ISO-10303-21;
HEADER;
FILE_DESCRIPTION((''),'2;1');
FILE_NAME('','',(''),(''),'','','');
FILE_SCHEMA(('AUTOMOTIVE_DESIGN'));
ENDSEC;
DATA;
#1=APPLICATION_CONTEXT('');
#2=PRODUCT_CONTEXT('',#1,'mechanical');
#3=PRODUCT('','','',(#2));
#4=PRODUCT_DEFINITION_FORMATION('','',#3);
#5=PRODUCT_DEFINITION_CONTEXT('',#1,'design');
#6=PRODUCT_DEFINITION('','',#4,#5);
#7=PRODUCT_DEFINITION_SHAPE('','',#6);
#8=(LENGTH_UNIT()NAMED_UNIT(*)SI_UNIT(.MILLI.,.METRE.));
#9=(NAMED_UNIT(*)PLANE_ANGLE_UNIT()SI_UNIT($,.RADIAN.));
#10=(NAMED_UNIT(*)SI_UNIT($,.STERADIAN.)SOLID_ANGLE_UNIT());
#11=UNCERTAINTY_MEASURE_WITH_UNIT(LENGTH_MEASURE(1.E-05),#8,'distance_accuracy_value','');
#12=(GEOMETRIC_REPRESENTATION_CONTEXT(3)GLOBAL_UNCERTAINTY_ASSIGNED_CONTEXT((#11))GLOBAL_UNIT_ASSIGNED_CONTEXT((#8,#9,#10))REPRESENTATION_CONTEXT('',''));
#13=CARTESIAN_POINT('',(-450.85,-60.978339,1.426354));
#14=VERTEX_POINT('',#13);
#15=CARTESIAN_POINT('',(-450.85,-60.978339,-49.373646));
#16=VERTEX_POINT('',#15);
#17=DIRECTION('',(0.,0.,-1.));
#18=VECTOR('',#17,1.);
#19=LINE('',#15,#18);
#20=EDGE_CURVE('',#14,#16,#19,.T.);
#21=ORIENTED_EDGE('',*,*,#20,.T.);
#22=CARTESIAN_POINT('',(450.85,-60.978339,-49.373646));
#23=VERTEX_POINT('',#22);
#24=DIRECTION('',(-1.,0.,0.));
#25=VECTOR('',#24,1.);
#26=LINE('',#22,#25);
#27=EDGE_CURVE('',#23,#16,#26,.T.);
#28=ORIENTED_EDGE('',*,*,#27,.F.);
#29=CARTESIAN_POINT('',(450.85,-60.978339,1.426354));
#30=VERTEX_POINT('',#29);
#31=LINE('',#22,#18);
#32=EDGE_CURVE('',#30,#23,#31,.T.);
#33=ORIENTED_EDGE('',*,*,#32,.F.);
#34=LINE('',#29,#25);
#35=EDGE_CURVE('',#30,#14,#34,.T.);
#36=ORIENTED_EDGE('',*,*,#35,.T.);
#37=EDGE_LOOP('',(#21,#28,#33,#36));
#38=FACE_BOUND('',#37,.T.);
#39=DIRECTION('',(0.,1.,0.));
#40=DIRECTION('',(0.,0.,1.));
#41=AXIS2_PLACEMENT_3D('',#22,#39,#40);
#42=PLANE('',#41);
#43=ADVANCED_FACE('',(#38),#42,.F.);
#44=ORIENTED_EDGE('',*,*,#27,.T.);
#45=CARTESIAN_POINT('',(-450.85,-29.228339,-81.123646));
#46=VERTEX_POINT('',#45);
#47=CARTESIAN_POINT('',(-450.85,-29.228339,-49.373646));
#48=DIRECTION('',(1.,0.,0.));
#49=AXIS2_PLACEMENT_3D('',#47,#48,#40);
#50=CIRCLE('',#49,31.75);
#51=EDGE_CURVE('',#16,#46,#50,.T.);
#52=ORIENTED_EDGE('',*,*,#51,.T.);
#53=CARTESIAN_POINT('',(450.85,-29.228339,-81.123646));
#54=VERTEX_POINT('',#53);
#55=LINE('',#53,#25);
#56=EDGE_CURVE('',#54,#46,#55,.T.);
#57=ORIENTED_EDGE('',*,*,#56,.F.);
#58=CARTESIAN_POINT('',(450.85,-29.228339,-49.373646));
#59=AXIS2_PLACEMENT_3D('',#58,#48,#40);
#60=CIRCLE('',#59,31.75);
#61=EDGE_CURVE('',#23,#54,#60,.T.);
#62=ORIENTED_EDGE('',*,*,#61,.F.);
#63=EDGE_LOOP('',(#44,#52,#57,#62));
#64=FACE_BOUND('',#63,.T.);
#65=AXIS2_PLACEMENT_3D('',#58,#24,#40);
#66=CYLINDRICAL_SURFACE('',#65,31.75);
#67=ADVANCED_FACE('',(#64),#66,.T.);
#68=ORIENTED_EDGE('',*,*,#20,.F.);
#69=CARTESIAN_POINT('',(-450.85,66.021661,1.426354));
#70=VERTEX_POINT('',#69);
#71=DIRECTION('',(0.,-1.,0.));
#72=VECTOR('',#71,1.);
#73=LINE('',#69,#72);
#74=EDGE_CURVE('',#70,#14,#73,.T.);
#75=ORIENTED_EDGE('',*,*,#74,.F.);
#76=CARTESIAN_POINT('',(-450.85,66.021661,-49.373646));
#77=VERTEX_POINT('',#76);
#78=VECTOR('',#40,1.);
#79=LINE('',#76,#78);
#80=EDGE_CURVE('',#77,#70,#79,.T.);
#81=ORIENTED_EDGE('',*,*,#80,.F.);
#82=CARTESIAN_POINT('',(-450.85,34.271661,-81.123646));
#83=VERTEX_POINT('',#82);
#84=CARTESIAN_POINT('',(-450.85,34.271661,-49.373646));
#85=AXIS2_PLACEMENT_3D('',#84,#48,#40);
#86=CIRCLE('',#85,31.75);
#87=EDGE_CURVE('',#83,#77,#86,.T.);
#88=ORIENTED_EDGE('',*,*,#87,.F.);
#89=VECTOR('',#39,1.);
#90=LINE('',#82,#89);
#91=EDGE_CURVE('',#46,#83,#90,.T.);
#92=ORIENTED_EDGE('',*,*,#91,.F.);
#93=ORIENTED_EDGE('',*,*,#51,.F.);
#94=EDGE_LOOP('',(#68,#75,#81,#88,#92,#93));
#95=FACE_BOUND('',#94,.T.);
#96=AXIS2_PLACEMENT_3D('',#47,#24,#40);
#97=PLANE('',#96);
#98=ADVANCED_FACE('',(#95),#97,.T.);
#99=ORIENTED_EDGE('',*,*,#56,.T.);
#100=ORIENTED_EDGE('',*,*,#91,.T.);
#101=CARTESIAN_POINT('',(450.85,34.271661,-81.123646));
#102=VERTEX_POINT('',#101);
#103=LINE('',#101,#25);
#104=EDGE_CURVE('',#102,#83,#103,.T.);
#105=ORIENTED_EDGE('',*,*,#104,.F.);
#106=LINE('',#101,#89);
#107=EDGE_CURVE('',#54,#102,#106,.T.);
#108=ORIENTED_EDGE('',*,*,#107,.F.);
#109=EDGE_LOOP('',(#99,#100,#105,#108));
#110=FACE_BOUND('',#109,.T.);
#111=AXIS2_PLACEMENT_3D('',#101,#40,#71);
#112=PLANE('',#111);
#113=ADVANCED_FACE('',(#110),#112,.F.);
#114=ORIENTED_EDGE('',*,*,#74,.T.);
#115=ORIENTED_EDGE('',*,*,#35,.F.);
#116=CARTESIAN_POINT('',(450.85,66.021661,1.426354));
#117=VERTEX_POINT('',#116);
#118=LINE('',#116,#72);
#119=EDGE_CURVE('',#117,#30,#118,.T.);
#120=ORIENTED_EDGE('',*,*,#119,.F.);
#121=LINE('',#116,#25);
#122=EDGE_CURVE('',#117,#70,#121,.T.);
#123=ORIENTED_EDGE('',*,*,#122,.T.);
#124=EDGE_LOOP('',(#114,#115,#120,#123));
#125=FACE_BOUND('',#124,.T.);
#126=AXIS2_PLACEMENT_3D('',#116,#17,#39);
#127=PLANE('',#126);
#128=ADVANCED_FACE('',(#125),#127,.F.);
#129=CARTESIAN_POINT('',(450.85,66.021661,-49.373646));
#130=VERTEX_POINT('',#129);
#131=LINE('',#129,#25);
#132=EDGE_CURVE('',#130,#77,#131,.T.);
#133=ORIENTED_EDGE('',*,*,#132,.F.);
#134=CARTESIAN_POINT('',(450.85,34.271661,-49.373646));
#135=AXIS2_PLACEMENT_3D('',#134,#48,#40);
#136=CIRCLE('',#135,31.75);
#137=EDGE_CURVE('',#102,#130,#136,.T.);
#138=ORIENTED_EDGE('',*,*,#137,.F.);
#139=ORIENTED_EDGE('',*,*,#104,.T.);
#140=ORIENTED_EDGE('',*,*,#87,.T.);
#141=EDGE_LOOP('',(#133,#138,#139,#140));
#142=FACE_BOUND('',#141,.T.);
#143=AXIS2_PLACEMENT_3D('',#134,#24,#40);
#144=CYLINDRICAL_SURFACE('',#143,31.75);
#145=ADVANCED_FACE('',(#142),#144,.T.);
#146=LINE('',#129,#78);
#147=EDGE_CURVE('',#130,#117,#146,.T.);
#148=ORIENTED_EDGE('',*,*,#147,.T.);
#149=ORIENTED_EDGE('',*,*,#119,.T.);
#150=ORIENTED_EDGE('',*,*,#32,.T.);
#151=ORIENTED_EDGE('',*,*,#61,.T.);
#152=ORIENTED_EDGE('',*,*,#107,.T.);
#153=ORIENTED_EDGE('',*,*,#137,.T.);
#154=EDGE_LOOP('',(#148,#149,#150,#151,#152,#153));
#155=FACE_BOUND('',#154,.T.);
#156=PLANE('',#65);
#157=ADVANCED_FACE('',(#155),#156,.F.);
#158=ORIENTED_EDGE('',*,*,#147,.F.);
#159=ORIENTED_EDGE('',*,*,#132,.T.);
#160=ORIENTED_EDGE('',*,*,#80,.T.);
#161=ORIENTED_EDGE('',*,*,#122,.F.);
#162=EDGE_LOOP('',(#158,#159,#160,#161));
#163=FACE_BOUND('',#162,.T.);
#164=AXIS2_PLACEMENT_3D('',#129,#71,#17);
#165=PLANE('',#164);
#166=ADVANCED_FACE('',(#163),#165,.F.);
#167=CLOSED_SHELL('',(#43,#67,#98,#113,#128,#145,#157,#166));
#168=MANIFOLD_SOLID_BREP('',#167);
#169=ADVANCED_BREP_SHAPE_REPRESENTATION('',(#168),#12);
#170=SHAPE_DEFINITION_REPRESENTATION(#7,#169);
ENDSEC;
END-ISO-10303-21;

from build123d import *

# Parameters (mm, degrees)
BOSS_EXTRUDE1_DEPTH = 450.85


with BuildPart() as part:
    # Sketch1 → Boss-Extrude1 (new body, symmetric)
    with BuildSketch(Plane(origin=(0, 0, 0), x_dir=(0, 0, -1), z_dir=(1, 0, 0))):
        with BuildLine():
            Line((49.373646209, 66.02166065), (-1.426353791, 66.02166065))
            Line((-1.426353791, 66.02166065), (-1.426353791, -60.97833935))
            Line((-1.426353791, -60.97833935), (49.373646209, -60.97833935))
            ThreePointArc((49.373646209, -60.97833935), (71.824286512, -51.678979653), (81.123646209, -29.22833935))
            Line((81.123646209, -29.22833935), (81.123646209, 34.27166065))
            ThreePointArc((81.123646209, 34.27166065), (71.824286512, 56.722300952), (49.373646209, 66.02166065))
        make_face()
    extrude(amount=BOSS_EXTRUDE1_DEPTH, both=True)


solid = part.part
